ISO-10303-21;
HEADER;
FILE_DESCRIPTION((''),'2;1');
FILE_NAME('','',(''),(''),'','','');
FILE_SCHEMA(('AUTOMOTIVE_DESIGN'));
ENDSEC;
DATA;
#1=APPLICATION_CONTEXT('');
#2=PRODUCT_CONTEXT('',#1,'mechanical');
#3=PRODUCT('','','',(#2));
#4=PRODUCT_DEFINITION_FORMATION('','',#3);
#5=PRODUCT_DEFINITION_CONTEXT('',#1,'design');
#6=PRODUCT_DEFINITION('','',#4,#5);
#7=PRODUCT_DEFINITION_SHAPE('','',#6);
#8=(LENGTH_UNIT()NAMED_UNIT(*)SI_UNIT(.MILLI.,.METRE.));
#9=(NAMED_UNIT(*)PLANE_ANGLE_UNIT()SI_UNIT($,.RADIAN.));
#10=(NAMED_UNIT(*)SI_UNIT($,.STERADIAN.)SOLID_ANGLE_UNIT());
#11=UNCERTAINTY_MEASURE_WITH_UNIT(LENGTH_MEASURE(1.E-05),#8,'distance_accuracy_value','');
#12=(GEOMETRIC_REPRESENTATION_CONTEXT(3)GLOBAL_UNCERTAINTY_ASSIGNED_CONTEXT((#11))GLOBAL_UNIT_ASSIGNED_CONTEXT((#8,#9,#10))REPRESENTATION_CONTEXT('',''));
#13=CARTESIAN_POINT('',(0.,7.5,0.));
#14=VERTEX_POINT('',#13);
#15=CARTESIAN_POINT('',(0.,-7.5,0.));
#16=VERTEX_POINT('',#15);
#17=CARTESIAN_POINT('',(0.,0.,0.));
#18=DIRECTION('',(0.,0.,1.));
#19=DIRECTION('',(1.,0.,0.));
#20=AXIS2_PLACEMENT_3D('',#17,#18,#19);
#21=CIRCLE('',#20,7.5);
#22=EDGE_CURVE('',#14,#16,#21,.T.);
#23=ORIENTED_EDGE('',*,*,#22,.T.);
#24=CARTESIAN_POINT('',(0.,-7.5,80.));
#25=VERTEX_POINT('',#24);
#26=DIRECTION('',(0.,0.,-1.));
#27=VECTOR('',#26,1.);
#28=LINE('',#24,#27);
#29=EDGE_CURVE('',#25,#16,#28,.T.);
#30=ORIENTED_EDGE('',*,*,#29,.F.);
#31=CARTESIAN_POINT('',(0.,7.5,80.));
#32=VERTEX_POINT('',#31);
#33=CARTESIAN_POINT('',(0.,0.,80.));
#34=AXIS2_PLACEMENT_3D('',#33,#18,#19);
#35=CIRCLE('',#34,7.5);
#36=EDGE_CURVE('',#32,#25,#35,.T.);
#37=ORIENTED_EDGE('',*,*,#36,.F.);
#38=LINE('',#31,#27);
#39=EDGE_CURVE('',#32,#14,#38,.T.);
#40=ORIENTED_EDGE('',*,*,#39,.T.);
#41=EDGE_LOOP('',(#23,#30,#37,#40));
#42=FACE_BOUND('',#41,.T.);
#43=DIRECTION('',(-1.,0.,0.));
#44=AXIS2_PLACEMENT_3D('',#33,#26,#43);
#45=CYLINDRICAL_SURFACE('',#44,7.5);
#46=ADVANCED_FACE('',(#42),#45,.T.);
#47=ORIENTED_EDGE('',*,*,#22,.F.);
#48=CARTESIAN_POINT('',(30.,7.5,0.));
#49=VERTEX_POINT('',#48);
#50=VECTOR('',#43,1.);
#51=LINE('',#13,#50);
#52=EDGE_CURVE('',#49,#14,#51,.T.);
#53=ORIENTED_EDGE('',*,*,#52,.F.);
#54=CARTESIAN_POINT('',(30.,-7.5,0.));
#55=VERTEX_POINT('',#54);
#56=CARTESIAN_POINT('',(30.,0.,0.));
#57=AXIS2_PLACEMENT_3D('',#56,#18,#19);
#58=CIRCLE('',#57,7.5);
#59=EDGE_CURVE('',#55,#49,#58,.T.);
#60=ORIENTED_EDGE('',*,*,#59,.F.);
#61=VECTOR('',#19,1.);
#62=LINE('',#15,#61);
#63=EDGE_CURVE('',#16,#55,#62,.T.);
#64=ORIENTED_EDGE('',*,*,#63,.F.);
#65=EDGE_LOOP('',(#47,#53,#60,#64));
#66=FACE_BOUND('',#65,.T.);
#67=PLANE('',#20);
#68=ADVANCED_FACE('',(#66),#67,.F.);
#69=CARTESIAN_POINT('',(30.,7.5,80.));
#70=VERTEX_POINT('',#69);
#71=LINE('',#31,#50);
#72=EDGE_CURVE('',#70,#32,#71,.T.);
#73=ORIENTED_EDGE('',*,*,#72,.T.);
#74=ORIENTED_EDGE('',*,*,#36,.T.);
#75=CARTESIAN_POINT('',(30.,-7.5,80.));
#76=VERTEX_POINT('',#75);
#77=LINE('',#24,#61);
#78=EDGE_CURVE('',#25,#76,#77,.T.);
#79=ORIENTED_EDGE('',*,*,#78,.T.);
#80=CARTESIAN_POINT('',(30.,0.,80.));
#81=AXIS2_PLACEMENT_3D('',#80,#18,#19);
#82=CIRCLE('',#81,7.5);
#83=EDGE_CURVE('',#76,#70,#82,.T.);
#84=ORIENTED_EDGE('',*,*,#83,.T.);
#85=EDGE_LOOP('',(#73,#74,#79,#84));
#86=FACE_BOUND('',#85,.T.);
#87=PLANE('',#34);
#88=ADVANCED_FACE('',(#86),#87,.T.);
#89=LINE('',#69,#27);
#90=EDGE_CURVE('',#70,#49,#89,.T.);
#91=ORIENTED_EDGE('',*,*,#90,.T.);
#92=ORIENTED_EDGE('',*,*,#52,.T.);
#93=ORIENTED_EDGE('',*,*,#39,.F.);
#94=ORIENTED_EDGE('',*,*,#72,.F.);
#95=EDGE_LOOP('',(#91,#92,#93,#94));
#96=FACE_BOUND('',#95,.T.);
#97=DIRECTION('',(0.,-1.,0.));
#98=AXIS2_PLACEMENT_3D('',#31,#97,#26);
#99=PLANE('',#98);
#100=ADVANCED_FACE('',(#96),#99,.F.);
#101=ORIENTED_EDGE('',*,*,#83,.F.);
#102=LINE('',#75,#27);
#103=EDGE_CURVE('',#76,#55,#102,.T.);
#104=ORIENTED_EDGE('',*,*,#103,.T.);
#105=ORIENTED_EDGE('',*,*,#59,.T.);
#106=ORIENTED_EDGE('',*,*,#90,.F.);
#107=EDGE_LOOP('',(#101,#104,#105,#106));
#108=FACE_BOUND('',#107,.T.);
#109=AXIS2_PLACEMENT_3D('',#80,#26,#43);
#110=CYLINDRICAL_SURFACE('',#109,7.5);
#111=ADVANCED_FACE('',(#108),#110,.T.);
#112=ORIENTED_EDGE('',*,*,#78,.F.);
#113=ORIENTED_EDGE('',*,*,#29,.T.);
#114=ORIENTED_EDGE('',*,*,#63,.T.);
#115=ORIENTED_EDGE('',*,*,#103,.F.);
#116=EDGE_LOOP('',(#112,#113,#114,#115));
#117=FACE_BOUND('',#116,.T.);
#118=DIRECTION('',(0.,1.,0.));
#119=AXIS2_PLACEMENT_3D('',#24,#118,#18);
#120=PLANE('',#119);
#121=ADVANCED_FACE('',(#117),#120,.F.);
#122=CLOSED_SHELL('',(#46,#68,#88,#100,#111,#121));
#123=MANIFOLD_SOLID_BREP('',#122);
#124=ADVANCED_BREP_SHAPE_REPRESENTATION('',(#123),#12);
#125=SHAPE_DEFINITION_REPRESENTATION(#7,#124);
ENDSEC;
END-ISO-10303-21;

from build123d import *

# Parameters (mm, degrees)
BOSS_EXTRUDE1_DEPTH = 80


with BuildPart() as part:
    # Sketch1 → Boss-Extrude1 (new body)
    with BuildSketch(Plane.XY):
        with BuildLine():
            Line((0, 7.5), (30, 7.5))
            ThreePointArc((30, 7.5), (37.5, 0), (30, -7.5))
            Line((30, -7.5), (0, -7.5))
            ThreePointArc((0, -7.5), (-7.5, 0), (0, 7.5))
        make_face()
    extrude(amount=BOSS_EXTRUDE1_DEPTH)


solid = part.part
